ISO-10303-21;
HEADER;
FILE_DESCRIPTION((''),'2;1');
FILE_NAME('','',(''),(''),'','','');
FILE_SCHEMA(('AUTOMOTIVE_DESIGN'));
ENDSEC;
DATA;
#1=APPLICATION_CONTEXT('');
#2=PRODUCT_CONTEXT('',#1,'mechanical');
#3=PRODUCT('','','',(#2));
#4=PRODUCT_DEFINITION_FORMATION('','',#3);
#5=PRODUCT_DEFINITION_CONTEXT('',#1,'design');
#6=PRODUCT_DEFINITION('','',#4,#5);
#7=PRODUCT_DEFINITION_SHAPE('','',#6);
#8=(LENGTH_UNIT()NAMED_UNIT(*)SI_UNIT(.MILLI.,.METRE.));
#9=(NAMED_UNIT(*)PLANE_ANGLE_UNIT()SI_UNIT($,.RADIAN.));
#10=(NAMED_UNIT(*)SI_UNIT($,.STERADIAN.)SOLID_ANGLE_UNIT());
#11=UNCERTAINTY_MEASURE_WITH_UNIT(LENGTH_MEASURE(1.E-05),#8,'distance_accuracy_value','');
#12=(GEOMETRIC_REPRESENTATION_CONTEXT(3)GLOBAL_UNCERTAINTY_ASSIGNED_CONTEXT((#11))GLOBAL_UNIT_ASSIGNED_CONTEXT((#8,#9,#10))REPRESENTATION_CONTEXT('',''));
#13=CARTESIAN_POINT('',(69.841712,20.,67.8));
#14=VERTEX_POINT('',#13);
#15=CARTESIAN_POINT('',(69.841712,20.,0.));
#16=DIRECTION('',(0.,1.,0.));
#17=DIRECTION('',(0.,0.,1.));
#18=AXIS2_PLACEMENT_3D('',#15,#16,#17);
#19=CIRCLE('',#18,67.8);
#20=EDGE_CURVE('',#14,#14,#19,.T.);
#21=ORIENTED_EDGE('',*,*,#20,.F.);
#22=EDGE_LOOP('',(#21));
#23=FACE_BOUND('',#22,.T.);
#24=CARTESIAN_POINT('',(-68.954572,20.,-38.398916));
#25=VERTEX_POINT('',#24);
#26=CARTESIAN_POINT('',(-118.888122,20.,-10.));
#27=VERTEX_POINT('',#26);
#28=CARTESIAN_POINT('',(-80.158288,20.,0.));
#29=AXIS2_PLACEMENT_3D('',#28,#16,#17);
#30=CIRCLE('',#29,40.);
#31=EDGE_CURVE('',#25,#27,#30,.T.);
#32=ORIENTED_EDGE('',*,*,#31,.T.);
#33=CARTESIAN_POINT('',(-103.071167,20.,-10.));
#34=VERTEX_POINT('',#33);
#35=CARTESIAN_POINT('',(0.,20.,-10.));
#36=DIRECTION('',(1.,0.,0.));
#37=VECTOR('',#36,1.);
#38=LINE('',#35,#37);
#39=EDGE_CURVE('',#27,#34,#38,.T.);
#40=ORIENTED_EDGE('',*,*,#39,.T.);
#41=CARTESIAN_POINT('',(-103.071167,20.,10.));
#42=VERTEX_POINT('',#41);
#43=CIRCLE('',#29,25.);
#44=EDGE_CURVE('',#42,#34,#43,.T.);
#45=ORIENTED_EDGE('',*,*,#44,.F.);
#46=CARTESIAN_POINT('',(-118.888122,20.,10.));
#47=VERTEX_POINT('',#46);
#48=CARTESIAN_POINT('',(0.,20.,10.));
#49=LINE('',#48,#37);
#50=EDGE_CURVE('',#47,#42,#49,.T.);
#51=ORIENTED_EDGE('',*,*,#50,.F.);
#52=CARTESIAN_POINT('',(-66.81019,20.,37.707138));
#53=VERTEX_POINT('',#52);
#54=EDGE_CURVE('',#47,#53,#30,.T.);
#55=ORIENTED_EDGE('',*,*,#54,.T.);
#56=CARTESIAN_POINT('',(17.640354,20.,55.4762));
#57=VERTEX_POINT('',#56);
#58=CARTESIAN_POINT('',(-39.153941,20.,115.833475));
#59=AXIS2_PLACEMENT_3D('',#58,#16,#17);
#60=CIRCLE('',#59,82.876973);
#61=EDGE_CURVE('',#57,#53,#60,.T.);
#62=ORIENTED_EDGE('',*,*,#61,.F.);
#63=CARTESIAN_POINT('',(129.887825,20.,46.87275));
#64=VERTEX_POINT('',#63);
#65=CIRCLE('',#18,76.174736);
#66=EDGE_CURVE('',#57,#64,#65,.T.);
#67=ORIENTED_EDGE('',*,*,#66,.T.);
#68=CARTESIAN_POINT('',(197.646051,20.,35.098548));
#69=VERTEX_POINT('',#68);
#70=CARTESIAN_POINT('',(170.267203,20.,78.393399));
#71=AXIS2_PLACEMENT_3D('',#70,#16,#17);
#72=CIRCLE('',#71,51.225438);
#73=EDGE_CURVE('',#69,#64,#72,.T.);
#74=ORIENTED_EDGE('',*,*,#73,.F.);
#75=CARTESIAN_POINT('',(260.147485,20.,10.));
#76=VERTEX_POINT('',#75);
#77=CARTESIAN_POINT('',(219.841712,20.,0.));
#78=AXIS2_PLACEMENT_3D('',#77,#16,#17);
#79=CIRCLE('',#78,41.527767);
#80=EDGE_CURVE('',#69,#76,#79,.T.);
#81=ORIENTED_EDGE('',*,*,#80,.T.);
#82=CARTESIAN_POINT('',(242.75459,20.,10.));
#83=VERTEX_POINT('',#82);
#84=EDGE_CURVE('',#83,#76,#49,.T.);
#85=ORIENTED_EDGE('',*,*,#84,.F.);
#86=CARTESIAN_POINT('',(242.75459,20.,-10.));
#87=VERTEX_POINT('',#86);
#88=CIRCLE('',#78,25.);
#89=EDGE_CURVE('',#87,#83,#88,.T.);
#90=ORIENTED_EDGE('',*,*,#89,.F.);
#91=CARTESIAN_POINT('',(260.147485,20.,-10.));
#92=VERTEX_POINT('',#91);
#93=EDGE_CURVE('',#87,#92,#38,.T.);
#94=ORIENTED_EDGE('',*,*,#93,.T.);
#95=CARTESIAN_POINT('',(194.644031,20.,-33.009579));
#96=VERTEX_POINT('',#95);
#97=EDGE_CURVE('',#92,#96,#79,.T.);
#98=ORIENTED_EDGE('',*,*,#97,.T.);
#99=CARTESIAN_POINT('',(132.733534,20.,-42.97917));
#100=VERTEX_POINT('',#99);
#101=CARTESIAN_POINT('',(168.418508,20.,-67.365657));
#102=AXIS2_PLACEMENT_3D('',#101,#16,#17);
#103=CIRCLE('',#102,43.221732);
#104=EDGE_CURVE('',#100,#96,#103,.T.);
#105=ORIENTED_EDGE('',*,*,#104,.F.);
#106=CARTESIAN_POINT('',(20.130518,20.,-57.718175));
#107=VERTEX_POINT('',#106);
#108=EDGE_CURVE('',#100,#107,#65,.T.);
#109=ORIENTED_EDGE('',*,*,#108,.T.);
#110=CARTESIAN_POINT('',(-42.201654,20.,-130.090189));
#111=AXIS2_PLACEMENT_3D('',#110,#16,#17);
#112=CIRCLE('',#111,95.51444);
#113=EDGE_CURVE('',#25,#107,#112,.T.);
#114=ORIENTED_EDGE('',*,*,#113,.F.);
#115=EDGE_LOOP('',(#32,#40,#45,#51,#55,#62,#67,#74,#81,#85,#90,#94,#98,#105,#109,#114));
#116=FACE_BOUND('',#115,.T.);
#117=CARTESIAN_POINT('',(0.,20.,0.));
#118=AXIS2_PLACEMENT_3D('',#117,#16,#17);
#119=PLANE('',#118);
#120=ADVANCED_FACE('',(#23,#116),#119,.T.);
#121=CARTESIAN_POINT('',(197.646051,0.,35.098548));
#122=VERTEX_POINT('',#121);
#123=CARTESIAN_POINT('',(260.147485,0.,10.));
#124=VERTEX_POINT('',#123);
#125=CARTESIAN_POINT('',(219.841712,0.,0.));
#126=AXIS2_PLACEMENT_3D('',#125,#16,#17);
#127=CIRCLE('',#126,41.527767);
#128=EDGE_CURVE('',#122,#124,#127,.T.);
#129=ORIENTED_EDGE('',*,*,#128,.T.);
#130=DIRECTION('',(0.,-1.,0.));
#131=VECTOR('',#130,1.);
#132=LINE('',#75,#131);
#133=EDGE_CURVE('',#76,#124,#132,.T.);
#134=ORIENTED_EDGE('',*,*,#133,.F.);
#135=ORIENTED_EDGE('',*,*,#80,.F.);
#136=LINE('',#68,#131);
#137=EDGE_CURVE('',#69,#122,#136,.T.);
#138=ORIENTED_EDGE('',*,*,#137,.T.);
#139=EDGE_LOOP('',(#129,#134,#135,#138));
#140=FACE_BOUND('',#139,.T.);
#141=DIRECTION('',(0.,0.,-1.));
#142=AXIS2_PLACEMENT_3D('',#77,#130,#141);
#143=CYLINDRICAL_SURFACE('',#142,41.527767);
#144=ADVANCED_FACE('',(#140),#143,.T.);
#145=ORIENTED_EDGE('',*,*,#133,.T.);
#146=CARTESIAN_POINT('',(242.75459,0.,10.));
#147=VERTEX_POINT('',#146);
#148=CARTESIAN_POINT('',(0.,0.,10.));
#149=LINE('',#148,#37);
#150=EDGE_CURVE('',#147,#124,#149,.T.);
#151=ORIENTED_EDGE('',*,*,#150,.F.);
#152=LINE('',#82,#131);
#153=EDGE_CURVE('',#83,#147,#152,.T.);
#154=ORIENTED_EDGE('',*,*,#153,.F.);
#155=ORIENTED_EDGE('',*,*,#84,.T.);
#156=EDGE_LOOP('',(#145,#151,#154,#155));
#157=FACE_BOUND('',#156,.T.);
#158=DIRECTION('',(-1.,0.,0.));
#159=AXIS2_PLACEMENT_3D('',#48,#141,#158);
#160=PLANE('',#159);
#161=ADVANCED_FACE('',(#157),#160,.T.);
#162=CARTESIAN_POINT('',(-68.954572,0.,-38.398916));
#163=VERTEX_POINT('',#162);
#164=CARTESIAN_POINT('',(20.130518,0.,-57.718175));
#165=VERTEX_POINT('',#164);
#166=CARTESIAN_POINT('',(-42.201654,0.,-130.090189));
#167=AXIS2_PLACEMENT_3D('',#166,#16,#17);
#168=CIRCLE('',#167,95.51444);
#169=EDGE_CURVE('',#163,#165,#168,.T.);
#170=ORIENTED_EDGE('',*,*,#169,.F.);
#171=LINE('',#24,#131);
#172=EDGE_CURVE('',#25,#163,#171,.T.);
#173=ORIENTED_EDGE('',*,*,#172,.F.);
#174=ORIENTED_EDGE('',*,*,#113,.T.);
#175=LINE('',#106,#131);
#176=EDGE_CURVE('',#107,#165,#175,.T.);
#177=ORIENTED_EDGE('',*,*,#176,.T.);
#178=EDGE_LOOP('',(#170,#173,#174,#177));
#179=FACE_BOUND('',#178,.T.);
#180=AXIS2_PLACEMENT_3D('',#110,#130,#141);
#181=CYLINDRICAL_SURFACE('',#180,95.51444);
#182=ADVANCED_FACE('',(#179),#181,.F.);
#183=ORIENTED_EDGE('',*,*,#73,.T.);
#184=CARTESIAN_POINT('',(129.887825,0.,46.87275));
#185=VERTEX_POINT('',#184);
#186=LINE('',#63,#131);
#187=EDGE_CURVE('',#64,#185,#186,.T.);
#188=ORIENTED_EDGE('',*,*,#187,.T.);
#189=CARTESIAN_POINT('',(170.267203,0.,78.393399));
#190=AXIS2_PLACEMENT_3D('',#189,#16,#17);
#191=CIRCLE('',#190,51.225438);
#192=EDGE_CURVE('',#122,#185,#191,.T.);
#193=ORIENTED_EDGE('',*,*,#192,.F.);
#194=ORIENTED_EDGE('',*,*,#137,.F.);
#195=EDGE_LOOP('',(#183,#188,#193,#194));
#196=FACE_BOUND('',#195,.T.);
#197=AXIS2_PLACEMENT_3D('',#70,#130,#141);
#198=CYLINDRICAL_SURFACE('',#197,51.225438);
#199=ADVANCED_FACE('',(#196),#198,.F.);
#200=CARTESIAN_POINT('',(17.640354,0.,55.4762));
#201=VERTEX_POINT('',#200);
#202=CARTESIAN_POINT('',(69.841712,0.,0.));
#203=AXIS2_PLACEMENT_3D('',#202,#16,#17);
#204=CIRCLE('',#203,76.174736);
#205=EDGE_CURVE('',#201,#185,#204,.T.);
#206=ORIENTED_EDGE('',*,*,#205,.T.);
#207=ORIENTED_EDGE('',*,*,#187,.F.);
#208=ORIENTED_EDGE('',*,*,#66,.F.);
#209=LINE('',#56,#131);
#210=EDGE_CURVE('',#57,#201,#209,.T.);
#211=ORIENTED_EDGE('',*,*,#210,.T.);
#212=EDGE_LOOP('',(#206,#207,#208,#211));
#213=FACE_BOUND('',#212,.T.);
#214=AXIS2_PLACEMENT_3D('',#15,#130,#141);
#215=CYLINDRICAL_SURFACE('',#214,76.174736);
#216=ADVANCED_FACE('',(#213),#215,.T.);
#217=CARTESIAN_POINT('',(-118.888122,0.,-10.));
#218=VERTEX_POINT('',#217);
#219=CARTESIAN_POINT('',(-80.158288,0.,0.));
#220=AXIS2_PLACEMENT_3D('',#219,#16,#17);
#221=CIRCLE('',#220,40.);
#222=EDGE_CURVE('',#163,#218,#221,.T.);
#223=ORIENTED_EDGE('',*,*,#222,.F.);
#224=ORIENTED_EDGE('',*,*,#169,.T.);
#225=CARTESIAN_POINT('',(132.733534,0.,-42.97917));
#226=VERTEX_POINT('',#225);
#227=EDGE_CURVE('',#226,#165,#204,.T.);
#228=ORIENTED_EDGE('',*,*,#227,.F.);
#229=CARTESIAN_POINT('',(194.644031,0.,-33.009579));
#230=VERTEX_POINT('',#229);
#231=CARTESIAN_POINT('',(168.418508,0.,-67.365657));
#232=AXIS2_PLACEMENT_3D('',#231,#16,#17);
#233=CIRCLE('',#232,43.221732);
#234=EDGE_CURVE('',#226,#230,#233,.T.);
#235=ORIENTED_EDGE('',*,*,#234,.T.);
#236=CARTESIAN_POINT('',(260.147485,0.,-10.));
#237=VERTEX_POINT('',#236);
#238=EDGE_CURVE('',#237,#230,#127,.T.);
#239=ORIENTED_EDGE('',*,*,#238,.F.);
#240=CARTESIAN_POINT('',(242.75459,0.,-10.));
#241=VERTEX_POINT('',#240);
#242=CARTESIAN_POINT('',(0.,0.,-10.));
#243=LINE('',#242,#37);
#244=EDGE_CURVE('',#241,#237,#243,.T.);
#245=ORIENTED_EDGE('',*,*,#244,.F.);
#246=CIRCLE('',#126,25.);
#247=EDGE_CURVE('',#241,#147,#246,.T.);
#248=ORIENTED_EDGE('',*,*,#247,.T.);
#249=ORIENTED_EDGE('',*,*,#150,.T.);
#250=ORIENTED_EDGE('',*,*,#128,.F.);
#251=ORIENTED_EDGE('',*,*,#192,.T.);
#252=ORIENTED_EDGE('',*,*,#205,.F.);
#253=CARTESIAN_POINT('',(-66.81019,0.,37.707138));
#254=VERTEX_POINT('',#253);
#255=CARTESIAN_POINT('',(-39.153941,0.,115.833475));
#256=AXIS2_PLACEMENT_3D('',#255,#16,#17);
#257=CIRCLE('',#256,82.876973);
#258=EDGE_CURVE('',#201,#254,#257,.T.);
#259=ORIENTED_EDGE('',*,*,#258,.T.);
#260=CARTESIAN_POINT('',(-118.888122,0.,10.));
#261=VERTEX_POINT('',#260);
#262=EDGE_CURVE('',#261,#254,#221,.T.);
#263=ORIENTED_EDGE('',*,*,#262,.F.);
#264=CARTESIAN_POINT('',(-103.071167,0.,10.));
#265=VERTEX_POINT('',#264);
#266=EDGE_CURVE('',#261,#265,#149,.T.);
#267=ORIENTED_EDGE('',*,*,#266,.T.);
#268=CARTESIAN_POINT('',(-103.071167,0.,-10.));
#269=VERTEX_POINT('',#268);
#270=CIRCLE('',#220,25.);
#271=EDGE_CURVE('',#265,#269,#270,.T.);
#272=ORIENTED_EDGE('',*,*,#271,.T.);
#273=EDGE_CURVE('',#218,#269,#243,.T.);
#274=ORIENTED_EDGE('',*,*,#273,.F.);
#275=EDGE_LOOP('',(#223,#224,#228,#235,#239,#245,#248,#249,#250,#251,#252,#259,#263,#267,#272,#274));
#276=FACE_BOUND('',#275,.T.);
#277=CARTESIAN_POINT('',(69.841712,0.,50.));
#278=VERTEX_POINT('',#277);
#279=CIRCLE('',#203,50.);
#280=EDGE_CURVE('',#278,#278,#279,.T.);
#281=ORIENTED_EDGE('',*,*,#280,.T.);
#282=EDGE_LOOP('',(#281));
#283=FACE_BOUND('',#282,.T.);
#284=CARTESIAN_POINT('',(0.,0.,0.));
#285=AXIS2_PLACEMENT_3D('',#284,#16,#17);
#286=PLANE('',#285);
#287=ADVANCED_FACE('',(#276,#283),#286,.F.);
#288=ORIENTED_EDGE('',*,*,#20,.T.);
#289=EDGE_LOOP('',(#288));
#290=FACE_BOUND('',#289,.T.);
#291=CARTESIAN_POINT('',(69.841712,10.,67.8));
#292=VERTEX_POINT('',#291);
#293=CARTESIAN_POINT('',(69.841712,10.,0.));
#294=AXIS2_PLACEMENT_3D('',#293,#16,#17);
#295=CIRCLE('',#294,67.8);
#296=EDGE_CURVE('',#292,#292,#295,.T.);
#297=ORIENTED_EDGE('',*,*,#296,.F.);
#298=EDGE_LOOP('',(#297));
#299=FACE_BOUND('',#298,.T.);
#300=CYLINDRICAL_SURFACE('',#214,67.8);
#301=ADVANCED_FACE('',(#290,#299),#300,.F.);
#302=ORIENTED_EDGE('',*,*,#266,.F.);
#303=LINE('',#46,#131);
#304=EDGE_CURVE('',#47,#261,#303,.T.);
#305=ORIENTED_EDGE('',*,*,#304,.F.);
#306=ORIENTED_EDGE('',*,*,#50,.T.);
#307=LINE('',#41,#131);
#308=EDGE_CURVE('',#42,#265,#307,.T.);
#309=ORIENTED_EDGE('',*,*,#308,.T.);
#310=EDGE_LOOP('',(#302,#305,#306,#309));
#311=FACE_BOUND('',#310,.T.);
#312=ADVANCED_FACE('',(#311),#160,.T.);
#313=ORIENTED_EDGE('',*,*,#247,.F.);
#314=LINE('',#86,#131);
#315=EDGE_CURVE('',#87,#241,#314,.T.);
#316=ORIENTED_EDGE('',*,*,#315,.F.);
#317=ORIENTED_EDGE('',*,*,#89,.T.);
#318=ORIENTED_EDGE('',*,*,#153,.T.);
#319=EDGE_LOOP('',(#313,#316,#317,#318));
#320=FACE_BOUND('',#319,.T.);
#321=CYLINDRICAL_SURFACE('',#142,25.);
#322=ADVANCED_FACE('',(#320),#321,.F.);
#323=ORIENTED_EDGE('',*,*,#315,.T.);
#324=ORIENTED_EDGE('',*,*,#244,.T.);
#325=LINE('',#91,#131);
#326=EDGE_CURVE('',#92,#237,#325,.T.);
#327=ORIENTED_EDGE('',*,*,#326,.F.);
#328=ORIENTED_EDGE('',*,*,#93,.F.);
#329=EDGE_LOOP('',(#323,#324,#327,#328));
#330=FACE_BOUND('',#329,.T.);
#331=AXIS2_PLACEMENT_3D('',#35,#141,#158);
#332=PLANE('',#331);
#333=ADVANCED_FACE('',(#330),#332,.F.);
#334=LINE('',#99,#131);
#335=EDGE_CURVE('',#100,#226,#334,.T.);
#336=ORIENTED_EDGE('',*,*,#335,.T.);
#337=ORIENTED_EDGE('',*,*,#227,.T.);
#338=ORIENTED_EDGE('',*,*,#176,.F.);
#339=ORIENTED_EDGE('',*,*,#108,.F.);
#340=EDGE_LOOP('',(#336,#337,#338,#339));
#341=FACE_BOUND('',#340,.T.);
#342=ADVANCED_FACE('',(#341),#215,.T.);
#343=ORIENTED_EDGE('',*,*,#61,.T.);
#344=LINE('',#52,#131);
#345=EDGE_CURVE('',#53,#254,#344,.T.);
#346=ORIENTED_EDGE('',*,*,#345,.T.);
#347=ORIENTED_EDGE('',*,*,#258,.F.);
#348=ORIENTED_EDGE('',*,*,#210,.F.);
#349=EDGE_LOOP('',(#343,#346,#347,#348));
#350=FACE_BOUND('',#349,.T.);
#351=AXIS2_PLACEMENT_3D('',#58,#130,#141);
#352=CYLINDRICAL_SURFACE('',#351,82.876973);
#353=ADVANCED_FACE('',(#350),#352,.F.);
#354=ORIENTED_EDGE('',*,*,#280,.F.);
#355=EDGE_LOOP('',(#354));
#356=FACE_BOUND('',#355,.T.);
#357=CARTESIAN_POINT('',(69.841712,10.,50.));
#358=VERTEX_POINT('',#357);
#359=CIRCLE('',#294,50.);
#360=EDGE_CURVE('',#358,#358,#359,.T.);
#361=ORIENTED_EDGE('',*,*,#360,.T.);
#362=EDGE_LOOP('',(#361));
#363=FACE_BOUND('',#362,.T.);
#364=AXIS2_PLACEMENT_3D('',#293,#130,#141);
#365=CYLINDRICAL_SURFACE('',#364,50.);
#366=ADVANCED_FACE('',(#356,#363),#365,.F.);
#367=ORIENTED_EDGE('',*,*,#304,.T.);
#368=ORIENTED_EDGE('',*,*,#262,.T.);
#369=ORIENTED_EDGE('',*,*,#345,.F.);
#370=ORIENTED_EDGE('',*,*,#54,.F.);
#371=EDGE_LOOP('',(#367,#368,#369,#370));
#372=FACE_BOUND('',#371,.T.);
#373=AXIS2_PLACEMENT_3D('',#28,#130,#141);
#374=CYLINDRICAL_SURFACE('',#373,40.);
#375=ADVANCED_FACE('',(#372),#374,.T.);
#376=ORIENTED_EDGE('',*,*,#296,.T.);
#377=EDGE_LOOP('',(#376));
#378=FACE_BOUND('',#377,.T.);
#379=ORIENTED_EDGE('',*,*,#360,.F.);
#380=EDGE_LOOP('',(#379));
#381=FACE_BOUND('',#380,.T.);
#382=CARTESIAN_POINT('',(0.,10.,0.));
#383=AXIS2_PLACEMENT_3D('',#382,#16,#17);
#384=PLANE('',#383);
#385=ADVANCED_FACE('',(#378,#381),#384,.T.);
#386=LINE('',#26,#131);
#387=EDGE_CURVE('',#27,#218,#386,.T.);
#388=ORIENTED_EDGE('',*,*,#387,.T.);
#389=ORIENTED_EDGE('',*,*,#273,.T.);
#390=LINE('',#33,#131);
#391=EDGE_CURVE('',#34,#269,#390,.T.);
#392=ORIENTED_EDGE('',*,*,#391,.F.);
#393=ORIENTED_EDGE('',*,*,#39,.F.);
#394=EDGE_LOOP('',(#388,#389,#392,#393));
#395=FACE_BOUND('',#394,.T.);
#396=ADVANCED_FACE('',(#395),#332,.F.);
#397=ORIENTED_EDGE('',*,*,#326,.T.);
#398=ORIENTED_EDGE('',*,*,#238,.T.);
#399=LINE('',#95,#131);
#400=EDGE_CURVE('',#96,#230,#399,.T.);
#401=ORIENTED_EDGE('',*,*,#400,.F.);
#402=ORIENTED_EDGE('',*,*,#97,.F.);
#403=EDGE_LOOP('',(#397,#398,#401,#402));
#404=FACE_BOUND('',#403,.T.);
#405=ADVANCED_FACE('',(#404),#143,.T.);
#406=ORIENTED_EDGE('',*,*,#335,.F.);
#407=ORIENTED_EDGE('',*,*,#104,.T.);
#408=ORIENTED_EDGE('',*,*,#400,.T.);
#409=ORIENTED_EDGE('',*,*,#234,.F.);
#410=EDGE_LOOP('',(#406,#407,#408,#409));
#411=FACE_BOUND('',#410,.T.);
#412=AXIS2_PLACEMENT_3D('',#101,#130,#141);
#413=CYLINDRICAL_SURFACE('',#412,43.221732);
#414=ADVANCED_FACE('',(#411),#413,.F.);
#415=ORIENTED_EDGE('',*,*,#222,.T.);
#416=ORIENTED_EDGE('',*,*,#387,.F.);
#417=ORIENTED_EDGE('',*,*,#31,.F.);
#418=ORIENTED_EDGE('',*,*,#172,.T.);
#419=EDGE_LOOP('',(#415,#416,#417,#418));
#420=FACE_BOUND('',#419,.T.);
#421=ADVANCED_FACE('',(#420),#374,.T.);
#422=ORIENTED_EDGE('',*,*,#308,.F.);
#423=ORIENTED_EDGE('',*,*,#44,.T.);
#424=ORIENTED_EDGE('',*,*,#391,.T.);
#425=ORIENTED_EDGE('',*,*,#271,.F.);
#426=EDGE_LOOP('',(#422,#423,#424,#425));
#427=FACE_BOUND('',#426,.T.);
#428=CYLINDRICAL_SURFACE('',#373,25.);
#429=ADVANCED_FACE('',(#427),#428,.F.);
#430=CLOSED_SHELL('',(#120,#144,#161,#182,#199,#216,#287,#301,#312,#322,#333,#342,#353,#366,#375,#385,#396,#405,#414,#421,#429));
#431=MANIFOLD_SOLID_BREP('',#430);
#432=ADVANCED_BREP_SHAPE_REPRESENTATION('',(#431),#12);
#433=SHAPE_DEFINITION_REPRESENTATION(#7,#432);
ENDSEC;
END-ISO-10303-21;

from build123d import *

# Parameters (mm, degrees)
SKETCH1_R           = 67.8
BOSS_EXTRUDE1_DEPTH = 20
SKETCH1_3_R         = 67.8
SKETCH1_3_R_2       = 50
BOSS_EXTRUDE2_DEPTH = 10


with BuildPart() as part:
    # Sketch1 → Boss-Extrude1 (new body)
    with BuildSketch(Plane(origin=(0, 0, 0), x_dir=(1, 0, 0), z_dir=(0, 1, 0))):
        with BuildLine():
            ThreePointArc((-68.95457192, 38.398915813), (-99.933181208, 34.770010311), (-118.888121928, 10))
            Line((-118.888121928, 10), (-103.07116694, 10))
            ThreePointArc((-103.07116694, 10), (-55.158288466, 0), (-103.07116694, -10))
            Line((-103.07116694, -10), (-118.888121928, -10))
            ThreePointArc((-118.888121928, -10), (-98.946037038, -35.313177478), (-66.810190141, -37.707138198))
            ThreePointArc((-66.810190141, -37.707138198), (-22.089611981, -34.732295435), (17.640354454, -55.476199781))
            ThreePointArc((17.640354454, -55.476199781), (75.663213782, -75.951962021), (129.887825017, -46.872749853))
            ThreePointArc((129.887825017, -46.872749853), (161.497288251, -27.924259237), (197.646050954, -35.098547889))
            ThreePointArc((197.646050954, -35.098547889), (235.316798867, -38.536697893), (260.147485469, -10))
            Line((260.147485469, -10), (242.754590009, -10))
            ThreePointArc((242.754590009, -10), (194.841711534, 0), (242.754590009, 10))
            Line((242.754590009, 10), (260.147485469, 10))
            ThreePointArc((260.147485469, 10), (233.604843606, 39.180755583), (194.644031062, 33.009579084))
            ThreePointArc((194.644031062, 33.009579084), (161.546937037, 24.693656308), (132.733534149, 42.979170204))
            ThreePointArc((132.733534149, 42.979170204), (79.728157262, 75.530448258), (20.130518149, 57.718174568))
            ThreePointArc((20.130518149, 57.718174568), (-21.958648504, 36.745511037), (-68.95457192, 38.398915813))
        make_face()
        with Locations((69.841711534, 0)):
            Circle(SKETCH1_R, mode=Mode.SUBTRACT)
    extrude(amount=BOSS_EXTRUDE1_DEPTH)

    # Sketch1<3> → Boss-Extrude2 (add)
    with BuildSketch(Plane(origin=(0, 0, 0), x_dir=(1, 0, 0), z_dir=(0, 1, 0))):
        with Locations((69.841711534, 0)):
            Circle(SKETCH1_3_R)
        with Locations((69.841711534, 0)):
            Circle(SKETCH1_3_R_2, mode=Mode.SUBTRACT)
    extrude(amount=BOSS_EXTRUDE2_DEPTH)


solid = part.part
